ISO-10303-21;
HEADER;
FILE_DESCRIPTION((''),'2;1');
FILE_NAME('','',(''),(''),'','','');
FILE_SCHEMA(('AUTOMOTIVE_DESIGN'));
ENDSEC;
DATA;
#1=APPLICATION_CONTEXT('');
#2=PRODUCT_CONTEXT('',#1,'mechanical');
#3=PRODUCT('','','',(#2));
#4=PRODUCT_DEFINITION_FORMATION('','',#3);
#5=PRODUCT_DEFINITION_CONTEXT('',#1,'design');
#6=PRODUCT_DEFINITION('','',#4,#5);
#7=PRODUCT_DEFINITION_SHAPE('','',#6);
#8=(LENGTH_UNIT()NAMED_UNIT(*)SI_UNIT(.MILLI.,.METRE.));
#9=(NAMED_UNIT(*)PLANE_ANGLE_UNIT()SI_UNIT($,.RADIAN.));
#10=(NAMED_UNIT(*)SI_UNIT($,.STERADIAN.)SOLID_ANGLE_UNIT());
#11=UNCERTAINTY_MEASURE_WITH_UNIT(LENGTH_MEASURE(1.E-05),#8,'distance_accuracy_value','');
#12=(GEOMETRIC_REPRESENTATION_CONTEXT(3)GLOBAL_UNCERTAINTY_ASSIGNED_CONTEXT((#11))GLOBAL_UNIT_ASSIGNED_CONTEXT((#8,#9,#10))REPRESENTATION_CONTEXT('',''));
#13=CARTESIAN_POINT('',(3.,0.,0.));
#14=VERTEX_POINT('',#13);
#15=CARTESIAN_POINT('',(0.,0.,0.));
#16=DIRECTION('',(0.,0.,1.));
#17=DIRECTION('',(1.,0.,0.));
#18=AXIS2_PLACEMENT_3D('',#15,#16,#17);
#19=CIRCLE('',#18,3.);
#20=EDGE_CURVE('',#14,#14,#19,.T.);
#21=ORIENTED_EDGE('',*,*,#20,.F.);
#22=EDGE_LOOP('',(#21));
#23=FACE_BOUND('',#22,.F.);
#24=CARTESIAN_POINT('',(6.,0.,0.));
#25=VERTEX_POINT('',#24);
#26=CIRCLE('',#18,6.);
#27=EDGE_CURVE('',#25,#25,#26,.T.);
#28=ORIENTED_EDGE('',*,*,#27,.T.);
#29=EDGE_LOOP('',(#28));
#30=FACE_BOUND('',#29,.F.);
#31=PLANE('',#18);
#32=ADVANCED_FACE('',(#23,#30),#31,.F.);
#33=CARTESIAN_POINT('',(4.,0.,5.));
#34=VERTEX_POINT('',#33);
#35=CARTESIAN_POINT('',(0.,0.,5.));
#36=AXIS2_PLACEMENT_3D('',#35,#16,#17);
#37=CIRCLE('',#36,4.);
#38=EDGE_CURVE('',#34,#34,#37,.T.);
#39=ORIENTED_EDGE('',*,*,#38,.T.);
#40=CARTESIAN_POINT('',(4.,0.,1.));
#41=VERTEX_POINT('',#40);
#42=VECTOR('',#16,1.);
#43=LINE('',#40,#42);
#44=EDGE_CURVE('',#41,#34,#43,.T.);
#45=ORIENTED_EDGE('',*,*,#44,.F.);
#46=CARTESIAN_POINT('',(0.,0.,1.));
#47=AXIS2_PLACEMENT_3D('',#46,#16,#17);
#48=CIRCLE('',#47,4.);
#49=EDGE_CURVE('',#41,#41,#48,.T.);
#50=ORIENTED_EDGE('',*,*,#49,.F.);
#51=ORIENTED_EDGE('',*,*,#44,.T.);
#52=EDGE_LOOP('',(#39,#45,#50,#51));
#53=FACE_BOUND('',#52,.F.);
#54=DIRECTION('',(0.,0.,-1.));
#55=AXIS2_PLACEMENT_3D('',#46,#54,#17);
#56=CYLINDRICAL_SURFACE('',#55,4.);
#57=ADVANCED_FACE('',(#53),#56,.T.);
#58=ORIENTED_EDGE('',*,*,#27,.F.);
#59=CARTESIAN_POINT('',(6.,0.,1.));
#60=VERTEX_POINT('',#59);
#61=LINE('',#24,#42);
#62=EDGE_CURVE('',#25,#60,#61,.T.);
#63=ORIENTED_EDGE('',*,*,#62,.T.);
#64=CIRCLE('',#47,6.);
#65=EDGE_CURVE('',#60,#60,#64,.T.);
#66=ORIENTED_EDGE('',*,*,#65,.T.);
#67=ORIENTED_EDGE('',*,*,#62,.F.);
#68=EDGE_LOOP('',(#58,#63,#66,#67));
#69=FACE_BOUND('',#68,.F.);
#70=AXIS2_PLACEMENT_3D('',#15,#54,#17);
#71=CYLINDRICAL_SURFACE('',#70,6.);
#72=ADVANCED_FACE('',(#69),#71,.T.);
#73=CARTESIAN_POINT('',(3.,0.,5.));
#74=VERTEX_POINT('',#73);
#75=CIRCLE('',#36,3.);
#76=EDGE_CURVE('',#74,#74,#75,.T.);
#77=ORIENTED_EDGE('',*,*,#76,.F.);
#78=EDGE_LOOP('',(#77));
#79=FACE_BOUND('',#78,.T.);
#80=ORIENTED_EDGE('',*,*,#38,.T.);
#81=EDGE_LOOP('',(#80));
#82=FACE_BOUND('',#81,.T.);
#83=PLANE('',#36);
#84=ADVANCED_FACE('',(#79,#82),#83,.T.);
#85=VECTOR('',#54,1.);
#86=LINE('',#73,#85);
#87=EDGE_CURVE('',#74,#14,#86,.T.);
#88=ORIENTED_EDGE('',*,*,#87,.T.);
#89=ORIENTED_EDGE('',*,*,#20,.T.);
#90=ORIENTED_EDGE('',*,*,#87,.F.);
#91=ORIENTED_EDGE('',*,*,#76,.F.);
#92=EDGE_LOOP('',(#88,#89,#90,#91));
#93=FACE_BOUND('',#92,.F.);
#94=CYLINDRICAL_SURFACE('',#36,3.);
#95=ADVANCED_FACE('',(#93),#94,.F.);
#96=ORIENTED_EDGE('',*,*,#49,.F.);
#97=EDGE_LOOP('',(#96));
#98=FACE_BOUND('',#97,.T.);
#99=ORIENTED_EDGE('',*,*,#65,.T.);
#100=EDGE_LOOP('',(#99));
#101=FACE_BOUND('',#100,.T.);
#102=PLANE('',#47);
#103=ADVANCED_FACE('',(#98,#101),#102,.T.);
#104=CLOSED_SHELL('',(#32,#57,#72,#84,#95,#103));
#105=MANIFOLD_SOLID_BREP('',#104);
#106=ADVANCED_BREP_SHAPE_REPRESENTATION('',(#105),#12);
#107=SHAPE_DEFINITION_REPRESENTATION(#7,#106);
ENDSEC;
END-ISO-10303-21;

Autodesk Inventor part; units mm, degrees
ref_plane "YZ Plane" through (0, 0, 0) normal (1, 0, 0) x (0, 1, 0)
ref_plane "XZ Plane" through (0, 0, 0) normal (0, 1, 0) x (-1, 0, 0)
ref_plane "XY Plane" through (0, 0, 0) normal (0, 0, 1) x (1, 0, 0)
sketch "スケッチ1" plane through (0, 0, 0) normal (0, 0, 1) x (1, 0, 0)
  circle A0 centre (0, 0) radius 6
  dimension "d0" = 12
extrude "押し出し1" add sketch "スケッチ1" along normal blind 1
sketch "スケッチ2" plane through (0, 0, 1) normal (0, 0, 1) x (1, 0, 0)
  circle A0 centre (0, 0) radius 4
  dimension "d3" = 8
extrude "押し出し2" add sketch "スケッチ2" along normal blind 4
sketch "スケッチ3" plane through (0, 0, 5) normal (0, 0, 1) x (1, 0, 0)
  circle A0 centre (0, 0) radius 3
  dimension "d6" = 6
extrude "押し出し3" cut sketch "スケッチ3" against normal through all
properties part number "oiles_bush6" material "ABS プラスチック"
